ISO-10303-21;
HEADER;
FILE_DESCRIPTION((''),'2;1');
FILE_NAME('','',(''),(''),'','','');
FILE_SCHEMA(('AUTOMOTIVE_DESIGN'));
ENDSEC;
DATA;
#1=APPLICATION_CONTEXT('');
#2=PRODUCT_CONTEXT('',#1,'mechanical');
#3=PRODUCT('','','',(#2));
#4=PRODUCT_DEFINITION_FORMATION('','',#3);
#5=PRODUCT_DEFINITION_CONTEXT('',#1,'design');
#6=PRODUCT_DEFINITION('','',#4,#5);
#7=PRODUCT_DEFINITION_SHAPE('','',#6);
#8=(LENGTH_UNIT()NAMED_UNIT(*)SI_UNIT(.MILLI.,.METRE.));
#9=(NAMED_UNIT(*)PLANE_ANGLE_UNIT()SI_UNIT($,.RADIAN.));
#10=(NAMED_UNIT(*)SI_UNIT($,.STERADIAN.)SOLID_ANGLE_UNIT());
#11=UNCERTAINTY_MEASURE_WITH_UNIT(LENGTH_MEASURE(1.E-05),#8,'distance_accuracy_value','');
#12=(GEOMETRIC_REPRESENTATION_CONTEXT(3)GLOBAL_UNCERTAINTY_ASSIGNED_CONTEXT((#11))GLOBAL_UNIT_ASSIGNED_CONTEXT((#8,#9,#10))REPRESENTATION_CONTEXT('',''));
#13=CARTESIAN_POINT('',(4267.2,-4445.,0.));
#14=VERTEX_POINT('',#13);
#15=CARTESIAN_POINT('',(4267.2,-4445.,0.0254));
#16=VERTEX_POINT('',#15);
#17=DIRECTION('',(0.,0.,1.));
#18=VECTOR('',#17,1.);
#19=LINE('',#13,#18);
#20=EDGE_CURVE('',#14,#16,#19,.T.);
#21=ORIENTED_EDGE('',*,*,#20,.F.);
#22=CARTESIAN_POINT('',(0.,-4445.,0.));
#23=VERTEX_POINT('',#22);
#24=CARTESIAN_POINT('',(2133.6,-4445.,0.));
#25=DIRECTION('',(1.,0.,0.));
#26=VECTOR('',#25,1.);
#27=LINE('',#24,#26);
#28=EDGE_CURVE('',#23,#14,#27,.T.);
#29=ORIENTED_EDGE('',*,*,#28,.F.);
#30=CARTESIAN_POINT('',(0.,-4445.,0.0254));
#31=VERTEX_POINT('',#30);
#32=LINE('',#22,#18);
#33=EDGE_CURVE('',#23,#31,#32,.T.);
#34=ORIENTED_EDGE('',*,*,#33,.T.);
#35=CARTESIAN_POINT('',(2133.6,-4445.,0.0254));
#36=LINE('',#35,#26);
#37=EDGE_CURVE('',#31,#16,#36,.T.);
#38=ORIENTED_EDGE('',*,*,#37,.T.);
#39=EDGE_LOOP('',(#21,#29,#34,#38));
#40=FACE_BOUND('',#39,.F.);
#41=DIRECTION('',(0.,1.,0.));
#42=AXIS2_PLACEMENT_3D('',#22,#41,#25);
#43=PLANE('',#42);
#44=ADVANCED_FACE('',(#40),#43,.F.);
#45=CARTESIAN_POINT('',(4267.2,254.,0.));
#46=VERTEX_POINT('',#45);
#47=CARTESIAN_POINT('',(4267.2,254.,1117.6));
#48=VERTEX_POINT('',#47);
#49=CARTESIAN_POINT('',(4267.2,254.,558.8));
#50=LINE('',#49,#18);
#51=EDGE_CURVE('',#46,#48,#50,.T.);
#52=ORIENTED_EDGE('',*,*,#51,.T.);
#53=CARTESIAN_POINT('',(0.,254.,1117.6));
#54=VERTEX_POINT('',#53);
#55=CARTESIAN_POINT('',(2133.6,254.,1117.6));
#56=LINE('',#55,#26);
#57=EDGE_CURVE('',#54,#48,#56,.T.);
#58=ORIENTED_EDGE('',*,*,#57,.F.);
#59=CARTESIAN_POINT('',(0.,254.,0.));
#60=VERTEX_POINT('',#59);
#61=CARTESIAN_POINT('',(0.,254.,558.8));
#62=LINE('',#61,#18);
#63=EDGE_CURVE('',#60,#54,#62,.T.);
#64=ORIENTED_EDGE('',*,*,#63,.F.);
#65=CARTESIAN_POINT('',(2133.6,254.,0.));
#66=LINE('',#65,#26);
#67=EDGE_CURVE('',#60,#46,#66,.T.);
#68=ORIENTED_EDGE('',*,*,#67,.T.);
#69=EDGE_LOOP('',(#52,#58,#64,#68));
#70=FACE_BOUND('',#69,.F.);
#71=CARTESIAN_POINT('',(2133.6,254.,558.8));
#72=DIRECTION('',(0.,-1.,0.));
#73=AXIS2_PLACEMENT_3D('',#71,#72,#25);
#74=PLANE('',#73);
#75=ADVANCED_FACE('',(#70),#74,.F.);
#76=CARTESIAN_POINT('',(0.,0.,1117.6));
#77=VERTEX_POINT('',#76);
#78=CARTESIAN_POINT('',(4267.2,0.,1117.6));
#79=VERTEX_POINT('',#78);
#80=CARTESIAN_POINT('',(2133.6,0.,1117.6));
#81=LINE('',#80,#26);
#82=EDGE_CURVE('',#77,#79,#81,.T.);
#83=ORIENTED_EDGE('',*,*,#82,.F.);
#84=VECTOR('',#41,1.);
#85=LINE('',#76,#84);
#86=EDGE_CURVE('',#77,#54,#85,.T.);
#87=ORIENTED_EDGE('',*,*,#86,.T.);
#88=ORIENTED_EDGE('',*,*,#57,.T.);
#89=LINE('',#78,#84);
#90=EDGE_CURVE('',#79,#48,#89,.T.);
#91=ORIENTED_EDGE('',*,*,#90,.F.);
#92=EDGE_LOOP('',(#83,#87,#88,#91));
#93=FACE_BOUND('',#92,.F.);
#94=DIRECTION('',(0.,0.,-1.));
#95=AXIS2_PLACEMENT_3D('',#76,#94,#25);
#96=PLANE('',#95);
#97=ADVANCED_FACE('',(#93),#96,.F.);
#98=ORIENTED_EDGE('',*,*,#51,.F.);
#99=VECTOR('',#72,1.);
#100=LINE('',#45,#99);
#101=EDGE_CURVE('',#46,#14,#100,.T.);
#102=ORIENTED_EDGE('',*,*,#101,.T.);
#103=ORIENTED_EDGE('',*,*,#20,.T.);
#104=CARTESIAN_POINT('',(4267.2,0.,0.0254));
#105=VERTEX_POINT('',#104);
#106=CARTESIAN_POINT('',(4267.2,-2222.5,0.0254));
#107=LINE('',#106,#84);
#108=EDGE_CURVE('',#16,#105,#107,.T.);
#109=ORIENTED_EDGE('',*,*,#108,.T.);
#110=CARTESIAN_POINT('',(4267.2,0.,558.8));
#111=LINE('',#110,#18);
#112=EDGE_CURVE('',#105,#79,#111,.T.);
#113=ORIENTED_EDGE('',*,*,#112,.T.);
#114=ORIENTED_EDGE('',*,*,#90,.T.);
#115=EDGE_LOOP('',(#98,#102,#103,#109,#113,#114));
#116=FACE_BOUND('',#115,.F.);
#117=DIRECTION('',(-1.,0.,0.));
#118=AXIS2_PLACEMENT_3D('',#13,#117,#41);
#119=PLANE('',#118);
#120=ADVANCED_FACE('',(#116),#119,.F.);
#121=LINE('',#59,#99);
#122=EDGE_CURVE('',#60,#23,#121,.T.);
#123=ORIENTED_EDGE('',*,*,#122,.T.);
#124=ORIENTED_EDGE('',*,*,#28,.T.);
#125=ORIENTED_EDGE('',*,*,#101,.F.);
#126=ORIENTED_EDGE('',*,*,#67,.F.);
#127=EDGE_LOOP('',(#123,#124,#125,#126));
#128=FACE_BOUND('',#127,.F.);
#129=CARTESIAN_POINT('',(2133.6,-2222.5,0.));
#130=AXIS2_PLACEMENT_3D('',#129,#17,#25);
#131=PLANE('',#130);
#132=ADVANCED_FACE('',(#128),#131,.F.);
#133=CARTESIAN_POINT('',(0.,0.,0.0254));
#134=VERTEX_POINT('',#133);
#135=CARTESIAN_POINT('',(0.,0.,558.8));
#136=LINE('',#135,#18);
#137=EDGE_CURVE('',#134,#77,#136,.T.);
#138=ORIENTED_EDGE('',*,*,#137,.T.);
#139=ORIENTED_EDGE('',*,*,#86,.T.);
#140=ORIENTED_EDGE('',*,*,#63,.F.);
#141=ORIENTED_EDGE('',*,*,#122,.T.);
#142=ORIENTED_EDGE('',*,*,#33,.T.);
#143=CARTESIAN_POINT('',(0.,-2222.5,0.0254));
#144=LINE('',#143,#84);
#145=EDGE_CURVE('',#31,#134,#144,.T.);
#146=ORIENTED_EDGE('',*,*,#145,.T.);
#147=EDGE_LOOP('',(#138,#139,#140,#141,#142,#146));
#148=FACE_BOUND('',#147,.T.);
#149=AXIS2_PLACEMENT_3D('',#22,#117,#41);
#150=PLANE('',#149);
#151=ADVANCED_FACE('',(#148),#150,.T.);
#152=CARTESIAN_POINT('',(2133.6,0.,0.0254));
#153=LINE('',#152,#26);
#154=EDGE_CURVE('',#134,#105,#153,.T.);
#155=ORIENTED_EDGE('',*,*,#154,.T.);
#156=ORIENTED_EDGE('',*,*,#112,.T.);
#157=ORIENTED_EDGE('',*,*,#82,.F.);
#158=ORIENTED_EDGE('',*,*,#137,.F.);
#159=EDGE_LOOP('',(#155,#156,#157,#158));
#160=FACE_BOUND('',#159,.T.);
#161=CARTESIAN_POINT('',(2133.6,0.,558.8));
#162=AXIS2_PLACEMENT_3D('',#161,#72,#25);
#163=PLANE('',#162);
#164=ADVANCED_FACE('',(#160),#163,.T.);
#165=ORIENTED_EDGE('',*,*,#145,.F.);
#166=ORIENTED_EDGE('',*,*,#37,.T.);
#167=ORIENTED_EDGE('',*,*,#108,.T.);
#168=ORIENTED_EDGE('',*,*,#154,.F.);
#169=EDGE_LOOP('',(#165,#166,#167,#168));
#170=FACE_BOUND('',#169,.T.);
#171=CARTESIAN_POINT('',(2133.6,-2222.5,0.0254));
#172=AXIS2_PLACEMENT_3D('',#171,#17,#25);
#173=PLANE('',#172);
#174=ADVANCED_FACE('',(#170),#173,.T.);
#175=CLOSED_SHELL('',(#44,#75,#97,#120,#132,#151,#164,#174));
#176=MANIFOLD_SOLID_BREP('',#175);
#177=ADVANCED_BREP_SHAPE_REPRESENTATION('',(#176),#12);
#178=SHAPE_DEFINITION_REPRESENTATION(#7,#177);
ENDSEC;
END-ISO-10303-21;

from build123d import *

# Parameters (mm, degrees)
F0_W     = 4267.2
F0_H     = 1117.6
F1_DEPTH = 254
F2_W     = 4267.2
F2_H     = 4445
F3_DEPTH = 0.0254


with BuildPart() as f1:
    # F0 (on Front) → F1 (new body)
    with BuildSketch(Plane.XZ):
        with Locations((2133.6, 558.8)):
            Rectangle(F0_W, F0_H)
    extrude(amount=-F1_DEPTH)

    # F2 (on Top) → F3 (join)
    with BuildSketch(Plane.XY):
        with Locations((2133.6, -2222.5)):
            Rectangle(F2_W, F2_H)
    extrude(amount=F3_DEPTH)


solid = f1.part
